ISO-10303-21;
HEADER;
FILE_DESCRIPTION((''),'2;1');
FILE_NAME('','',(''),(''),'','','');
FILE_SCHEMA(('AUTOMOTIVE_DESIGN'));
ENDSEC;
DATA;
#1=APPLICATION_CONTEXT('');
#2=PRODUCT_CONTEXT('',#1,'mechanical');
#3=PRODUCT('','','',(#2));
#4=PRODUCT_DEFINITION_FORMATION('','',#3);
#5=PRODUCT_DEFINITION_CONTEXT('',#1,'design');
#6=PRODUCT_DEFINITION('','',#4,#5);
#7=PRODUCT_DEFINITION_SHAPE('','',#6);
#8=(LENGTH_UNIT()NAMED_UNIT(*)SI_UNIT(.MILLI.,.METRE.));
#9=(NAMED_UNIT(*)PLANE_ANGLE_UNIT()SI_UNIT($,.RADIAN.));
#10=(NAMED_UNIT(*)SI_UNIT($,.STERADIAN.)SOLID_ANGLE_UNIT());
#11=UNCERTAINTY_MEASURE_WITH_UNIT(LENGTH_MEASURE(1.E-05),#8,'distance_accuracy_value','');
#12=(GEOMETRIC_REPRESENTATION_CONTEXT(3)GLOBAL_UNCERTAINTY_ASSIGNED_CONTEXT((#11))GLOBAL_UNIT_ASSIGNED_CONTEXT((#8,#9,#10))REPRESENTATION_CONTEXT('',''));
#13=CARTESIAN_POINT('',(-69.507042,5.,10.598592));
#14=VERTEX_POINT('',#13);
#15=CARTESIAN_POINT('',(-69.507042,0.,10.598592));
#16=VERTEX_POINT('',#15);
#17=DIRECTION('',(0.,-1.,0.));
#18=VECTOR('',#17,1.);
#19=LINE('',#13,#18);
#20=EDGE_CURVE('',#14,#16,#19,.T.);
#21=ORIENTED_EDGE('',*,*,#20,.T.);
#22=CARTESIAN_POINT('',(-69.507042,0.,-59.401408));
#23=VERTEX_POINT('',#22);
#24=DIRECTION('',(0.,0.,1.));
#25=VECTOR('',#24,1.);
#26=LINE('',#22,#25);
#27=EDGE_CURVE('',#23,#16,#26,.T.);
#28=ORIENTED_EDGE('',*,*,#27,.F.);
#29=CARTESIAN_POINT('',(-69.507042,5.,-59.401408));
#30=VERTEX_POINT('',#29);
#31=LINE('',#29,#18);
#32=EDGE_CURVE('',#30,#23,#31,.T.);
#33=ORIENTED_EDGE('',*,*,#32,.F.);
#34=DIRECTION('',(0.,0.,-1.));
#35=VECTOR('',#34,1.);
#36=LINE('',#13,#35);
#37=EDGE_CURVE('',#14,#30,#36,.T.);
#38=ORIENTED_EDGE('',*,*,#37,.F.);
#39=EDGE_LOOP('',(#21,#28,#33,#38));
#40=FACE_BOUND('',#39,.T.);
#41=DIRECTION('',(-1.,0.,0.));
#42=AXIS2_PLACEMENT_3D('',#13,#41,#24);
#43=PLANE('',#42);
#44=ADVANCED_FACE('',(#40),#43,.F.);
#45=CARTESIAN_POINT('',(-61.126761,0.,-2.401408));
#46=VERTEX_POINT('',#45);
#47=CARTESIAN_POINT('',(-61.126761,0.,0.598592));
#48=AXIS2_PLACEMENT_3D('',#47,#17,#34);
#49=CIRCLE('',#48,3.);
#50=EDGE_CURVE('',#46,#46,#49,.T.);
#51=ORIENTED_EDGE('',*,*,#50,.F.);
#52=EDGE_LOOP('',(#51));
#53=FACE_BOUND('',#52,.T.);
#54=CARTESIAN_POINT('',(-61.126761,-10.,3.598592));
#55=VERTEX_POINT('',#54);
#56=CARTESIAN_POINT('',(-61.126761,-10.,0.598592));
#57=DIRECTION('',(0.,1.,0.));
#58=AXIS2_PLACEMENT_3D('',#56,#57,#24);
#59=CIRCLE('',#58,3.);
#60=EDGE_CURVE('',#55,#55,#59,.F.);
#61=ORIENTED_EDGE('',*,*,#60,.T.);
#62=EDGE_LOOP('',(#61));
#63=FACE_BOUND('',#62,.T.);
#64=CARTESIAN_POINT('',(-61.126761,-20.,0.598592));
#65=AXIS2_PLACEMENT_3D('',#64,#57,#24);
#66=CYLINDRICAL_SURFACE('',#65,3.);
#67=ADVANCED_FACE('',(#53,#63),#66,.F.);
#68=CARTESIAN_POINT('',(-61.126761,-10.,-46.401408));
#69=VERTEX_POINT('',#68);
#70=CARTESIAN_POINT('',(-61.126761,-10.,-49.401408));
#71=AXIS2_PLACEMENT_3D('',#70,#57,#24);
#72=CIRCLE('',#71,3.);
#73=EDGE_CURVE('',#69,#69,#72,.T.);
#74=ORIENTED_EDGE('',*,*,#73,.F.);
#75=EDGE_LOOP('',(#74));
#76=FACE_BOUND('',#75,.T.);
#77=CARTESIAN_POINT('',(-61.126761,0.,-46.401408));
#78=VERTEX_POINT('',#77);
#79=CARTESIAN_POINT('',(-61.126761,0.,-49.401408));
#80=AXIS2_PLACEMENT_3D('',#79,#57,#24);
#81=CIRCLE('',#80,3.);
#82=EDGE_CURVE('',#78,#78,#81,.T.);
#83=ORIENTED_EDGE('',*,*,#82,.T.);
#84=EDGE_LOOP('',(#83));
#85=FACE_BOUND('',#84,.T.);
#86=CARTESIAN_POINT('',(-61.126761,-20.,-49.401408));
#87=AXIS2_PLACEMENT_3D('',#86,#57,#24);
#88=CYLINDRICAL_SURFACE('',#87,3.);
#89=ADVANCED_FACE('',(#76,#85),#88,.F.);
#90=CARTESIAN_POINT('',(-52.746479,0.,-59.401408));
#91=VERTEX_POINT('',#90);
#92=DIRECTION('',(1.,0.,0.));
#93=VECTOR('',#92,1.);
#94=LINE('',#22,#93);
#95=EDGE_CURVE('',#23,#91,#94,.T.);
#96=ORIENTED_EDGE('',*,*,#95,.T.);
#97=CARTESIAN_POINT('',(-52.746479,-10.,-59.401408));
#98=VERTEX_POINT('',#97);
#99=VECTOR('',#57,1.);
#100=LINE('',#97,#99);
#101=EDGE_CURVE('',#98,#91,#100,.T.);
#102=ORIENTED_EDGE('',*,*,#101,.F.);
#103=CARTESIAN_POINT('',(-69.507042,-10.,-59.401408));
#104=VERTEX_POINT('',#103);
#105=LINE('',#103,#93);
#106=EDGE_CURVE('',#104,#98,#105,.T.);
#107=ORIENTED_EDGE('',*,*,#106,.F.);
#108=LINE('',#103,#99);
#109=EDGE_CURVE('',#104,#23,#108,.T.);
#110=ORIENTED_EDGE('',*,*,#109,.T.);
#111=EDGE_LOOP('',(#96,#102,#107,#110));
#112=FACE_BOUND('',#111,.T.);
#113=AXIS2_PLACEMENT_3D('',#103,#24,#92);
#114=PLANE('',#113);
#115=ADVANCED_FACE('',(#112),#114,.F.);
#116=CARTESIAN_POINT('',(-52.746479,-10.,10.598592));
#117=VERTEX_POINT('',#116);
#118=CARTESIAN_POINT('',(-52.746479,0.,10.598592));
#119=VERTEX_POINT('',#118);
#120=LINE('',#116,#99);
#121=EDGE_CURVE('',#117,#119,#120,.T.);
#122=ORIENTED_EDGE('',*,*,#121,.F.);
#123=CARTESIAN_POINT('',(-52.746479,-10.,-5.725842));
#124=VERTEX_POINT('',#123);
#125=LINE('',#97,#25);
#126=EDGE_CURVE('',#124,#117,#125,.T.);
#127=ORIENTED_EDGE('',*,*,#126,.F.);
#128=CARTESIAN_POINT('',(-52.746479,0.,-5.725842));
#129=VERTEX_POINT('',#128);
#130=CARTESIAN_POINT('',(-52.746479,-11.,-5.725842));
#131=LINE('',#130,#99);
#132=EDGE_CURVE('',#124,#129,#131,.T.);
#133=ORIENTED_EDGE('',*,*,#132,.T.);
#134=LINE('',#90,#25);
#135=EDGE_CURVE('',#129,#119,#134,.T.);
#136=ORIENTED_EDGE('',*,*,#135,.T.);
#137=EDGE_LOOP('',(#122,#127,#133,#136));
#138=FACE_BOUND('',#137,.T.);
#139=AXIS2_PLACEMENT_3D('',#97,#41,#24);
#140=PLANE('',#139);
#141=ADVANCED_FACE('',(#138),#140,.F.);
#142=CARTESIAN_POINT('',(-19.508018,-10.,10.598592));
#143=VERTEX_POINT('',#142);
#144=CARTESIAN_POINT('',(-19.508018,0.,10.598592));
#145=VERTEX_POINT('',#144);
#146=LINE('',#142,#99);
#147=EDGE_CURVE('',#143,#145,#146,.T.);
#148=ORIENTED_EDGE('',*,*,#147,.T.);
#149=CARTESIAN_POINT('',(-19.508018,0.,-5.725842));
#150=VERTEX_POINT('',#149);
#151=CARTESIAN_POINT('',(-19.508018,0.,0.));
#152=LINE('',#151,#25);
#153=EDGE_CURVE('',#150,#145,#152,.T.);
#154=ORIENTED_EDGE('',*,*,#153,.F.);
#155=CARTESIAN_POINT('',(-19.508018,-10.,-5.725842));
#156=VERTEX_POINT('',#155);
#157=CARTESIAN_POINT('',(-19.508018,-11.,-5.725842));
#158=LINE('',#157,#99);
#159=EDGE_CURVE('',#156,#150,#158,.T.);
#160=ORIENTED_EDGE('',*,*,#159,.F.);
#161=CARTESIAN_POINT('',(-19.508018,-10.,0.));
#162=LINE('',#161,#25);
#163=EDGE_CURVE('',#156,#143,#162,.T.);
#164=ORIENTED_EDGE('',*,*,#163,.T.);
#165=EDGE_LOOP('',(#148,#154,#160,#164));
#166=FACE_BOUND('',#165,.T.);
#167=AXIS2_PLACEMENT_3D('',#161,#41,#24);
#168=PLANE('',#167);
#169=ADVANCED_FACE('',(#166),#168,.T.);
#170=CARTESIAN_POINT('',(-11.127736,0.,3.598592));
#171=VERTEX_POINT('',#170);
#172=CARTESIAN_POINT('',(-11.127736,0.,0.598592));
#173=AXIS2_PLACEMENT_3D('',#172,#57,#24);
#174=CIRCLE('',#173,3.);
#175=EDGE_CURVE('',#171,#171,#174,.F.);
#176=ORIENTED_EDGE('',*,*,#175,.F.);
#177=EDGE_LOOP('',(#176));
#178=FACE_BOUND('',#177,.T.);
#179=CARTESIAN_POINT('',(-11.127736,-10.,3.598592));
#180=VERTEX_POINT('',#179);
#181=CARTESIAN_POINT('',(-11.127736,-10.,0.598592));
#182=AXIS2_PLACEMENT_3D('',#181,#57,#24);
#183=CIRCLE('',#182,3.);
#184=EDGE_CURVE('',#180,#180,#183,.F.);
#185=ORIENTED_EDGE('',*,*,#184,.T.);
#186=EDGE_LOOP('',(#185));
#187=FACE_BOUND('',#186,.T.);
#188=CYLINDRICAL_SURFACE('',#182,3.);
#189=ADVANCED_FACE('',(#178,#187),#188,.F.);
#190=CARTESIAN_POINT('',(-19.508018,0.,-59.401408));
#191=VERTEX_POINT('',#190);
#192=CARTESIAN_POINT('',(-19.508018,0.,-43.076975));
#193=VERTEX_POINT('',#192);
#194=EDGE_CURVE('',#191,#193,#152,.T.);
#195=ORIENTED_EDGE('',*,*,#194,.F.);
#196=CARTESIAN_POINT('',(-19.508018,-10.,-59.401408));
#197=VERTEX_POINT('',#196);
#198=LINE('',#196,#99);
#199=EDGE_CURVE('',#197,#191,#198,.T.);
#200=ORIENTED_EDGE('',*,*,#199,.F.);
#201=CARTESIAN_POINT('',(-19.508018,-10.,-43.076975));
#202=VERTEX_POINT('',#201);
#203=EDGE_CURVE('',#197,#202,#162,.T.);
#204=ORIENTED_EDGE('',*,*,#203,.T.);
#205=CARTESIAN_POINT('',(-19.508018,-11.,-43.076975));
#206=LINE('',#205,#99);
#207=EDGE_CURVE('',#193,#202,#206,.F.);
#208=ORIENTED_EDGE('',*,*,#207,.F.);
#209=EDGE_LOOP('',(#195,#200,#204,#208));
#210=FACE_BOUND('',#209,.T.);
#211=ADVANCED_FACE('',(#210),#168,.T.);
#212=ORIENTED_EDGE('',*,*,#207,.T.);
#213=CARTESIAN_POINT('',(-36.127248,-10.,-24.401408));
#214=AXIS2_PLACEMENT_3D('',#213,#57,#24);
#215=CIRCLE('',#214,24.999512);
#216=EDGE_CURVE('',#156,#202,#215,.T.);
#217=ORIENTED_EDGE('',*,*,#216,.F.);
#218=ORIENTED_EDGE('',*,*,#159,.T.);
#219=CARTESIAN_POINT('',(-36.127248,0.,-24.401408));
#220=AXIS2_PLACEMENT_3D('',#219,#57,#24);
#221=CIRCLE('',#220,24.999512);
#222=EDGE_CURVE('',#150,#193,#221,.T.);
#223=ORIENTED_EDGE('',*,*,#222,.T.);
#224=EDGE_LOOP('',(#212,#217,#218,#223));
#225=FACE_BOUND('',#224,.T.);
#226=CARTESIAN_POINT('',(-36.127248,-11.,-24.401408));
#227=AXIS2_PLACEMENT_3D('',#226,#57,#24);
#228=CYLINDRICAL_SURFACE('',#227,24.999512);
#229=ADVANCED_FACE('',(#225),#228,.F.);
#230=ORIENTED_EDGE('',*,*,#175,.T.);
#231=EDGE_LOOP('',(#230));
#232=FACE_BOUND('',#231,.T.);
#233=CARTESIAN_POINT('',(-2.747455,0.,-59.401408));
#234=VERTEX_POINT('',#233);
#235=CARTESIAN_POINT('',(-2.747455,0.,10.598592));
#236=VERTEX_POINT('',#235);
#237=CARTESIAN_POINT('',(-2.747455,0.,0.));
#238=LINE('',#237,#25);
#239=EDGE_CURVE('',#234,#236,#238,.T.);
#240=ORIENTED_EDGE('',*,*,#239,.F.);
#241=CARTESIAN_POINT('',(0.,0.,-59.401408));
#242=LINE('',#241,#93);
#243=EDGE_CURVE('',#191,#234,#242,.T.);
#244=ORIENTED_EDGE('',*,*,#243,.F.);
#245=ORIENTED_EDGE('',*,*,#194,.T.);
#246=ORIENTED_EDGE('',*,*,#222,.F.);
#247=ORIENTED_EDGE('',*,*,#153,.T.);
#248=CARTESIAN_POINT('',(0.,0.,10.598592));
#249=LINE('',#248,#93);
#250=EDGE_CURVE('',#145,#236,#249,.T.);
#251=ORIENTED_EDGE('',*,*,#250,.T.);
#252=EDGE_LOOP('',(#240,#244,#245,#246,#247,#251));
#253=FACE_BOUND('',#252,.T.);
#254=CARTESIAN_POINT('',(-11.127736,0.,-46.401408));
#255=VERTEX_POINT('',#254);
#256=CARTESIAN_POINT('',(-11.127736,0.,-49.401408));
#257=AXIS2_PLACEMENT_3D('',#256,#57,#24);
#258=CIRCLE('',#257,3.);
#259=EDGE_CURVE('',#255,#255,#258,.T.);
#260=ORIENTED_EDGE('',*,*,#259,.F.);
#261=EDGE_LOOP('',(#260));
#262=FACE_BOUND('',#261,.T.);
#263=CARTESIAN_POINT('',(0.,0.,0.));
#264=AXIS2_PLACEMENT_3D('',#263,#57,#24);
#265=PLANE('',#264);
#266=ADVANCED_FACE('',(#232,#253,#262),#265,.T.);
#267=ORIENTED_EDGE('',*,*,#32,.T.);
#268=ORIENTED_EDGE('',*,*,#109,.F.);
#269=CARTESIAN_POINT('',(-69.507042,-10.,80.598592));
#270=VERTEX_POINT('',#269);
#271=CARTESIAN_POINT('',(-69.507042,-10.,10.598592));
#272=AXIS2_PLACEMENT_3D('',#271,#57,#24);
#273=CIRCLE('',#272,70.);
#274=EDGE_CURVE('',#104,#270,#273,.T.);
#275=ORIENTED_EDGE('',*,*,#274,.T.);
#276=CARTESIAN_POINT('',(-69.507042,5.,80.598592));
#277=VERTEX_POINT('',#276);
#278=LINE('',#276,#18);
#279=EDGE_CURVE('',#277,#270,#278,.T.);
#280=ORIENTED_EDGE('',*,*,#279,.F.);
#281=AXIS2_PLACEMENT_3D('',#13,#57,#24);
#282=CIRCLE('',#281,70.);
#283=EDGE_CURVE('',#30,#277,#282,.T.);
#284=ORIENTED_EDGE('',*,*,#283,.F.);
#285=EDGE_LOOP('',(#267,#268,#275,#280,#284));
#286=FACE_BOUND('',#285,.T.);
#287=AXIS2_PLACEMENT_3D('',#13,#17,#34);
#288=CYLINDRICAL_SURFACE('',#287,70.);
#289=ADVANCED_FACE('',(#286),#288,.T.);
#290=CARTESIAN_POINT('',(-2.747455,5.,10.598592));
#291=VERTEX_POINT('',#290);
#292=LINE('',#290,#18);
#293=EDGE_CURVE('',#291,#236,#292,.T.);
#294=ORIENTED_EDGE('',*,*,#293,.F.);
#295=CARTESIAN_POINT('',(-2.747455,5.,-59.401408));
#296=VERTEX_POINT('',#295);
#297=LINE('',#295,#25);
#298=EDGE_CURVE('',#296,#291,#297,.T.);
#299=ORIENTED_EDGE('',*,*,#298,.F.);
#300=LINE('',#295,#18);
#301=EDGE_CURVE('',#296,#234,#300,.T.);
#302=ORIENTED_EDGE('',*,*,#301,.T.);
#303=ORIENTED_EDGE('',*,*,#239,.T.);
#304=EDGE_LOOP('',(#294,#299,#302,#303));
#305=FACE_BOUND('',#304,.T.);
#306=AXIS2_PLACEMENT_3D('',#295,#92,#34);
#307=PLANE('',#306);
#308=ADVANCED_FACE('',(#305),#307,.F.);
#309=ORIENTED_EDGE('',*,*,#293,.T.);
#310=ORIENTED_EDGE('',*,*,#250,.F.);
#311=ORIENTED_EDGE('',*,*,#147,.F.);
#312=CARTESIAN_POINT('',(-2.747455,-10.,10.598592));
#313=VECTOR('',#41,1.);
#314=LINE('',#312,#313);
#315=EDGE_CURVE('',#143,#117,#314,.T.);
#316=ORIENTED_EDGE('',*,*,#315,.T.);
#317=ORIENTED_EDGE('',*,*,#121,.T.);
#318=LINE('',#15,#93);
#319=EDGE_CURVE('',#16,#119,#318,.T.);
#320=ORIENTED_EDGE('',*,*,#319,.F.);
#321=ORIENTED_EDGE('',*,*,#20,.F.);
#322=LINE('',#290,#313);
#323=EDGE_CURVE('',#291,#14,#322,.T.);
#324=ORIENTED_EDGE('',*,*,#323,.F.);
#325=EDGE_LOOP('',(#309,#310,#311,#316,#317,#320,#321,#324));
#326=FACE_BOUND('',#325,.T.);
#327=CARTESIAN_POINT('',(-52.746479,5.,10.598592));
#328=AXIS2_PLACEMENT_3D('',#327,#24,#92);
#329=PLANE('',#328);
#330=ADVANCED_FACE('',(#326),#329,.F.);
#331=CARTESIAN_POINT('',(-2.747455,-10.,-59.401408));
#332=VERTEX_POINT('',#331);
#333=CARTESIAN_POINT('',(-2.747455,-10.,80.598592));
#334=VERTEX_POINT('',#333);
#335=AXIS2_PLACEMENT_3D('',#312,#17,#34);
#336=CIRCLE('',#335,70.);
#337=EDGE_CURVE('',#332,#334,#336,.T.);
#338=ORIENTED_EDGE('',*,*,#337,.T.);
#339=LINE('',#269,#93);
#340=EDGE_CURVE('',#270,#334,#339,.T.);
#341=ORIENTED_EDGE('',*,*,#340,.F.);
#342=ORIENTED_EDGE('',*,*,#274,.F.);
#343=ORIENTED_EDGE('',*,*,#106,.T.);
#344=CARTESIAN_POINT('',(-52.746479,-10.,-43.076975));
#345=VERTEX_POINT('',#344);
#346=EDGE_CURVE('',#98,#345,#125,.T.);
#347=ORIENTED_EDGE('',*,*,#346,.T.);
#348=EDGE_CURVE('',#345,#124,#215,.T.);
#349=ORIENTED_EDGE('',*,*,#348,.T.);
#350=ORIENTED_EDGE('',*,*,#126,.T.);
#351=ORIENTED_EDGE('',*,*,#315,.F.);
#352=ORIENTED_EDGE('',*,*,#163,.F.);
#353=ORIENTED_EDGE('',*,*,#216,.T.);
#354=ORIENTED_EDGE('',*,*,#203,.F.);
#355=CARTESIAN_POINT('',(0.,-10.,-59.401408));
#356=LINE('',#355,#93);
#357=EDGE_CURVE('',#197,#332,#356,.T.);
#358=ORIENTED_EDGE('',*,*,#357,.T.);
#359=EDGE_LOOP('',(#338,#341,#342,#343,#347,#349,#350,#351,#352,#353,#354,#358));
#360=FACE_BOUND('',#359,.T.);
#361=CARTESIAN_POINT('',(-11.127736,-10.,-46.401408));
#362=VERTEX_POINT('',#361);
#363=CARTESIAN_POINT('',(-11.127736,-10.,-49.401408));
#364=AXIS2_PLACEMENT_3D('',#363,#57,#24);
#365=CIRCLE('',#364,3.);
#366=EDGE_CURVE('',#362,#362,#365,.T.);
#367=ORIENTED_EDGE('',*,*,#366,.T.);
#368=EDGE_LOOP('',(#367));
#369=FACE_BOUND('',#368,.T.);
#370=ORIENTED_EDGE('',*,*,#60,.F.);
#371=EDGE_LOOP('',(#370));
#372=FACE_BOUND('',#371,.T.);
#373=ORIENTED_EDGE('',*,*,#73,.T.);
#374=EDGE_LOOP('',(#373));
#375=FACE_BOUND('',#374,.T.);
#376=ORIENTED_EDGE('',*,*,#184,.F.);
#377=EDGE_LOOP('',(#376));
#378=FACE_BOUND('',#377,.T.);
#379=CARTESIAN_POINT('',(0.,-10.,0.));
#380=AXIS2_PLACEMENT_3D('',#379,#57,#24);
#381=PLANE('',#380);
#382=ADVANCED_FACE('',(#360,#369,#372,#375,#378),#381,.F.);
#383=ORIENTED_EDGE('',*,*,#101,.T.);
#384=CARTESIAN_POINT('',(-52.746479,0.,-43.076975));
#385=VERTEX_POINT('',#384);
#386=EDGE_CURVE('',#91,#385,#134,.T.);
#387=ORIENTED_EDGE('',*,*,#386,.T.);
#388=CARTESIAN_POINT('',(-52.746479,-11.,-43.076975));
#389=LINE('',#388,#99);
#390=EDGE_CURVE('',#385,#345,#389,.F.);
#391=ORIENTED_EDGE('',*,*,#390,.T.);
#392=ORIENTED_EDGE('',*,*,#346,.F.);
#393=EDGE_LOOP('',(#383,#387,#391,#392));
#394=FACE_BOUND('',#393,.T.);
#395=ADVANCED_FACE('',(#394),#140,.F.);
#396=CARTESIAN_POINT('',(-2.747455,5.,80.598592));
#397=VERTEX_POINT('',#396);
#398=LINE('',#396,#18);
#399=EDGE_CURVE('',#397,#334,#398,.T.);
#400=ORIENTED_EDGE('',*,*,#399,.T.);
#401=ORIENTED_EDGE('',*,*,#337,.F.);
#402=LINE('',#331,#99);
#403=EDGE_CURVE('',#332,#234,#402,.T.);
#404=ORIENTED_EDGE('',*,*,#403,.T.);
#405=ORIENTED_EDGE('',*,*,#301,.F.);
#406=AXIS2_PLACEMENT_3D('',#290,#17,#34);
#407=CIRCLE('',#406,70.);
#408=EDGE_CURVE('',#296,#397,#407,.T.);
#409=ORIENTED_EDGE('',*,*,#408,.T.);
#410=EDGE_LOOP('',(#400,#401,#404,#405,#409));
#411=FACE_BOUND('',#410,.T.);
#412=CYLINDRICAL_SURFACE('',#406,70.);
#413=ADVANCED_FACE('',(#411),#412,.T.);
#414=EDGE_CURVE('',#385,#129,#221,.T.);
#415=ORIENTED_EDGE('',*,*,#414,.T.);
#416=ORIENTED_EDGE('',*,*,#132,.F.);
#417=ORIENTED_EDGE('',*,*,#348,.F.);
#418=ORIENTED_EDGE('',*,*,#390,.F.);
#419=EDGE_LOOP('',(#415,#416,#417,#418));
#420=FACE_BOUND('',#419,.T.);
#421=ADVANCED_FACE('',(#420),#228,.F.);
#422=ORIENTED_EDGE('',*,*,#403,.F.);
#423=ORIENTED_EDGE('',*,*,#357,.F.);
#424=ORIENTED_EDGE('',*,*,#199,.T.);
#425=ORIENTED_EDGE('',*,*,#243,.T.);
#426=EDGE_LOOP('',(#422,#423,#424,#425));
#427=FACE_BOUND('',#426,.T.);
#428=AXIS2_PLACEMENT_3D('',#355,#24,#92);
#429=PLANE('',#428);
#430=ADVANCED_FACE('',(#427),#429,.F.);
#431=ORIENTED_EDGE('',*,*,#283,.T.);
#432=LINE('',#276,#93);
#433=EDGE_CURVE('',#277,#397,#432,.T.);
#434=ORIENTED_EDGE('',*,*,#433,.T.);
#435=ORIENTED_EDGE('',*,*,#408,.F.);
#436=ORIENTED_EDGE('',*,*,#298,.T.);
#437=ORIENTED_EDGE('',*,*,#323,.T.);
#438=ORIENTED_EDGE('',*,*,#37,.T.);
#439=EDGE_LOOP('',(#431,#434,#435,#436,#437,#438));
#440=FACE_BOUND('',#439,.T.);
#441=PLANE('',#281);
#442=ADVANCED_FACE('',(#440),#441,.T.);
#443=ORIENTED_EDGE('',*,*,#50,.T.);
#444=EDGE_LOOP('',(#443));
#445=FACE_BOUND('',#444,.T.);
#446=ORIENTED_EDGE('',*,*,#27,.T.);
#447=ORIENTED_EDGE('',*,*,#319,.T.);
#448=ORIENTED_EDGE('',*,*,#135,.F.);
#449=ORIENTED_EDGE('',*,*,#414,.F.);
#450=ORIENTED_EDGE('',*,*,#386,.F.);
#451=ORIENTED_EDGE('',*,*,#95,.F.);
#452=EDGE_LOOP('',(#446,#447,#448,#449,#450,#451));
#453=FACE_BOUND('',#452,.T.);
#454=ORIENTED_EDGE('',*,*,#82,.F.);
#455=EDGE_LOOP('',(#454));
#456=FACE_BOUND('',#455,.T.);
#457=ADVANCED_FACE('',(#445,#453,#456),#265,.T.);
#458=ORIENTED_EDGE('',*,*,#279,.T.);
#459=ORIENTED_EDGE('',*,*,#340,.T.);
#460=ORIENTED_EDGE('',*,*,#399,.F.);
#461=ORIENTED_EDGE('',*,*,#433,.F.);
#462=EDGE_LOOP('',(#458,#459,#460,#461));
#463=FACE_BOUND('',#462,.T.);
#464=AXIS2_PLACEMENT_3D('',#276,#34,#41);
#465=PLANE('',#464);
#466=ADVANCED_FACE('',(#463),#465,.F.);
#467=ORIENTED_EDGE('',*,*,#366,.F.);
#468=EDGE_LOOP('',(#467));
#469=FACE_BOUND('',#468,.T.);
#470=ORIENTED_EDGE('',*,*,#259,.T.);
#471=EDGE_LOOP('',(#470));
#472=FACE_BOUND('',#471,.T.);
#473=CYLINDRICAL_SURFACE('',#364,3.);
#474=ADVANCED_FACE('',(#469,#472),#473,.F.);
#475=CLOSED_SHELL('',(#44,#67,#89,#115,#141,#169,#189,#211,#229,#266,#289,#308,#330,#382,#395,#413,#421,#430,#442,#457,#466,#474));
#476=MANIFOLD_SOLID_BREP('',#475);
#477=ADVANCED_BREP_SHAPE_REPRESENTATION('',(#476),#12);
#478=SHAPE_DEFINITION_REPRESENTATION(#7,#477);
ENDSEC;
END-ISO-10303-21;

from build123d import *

# Parameters (mm, degrees)
SKETCH1_W                = 16.760563381
SKETCH1_H                = 70
BOSS_EXTRUDE1_DEPTH      = 10
SKETCH1_3_R              = 3
CUT_EXTRUDE1_DEPTH       = 20
SKETCH3_W                = 16.760563381
SKETCH3_H                = 70
SKETCH3_R                = 3
BOSS_EXTRUDE2_DEPTH      = 10
SKETCH9_R                = 24.999512183
CUT_EXTRUDE4_DEPTH       = 11
BOSS_EXTRUDE4_DEPTH      = 5
BOSS_EXTRUDE4_DEPTH_BACK = 10


with BuildPart() as part:
    # Sketch1 → Boss-Extrude1 (new body)
    with BuildSketch(Plane(origin=(0, 0, 0), x_dir=(1, 0, 0), z_dir=(0, 1, 0))):
        with Locations((-61.126760563, 24.401408451)):
            Rectangle(SKETCH1_W, SKETCH1_H)
    extrude(amount=-BOSS_EXTRUDE1_DEPTH)

    # Sketch1<3> → Cut-Extrude1 (cut)
    with BuildSketch(Plane(origin=(0, 0, 0), x_dir=(1, 0, 0), z_dir=(0, 1, 0))):
        with Locations((-61.126760563, 49.401408451)):
            Circle(SKETCH1_3_R)
        with Locations((-61.126760563, -0.598591549)):
            Circle(SKETCH1_3_R)
    extrude(amount=-CUT_EXTRUDE1_DEPTH, mode=Mode.SUBTRACT)


with BuildPart() as body_2:
    # Sketch3 → Boss-Extrude2 (new body)
    with BuildSketch(Plane(origin=(-10.44184171, 0, 0), x_dir=(1, 0, 0), z_dir=(0, 1, 0))):
        with Locations((-0.685894488, 24.401408451)):
            Rectangle(SKETCH3_W, SKETCH3_H)
        with Locations((-0.685894488, 49.401408451)):
            Circle(SKETCH3_R, mode=Mode.SUBTRACT)
        with Locations((-0.685894488, -0.598591549)):
            Circle(SKETCH3_R, mode=Mode.SUBTRACT)
    extrude(amount=-BOSS_EXTRUDE2_DEPTH)


with BuildPart() as cut_extrude4_tool:
    # Sketch9 → Cut-Extrude4 (new body)
    with BuildSketch(Plane(origin=(0, 0, 0), x_dir=(1, 0, 0), z_dir=(0, 1, 0))):
        with Locations((-36.12724838, 24.401408451)):
            Circle(SKETCH9_R)
    extrude(amount=-CUT_EXTRUDE4_DEPTH)


with BuildPart() as part_1:
    add(part.part)

    # Cut-Extrude4: cut by cut_extrude4_tool
    add(cut_extrude4_tool.part, mode=Mode.SUBTRACT)



with BuildPart() as body_2_1:
    add(body_2.part)

    # Cut-Extrude4: cut by cut_extrude4_tool
    add(cut_extrude4_tool.part, mode=Mode.SUBTRACT)


with BuildPart() as part_2:
    add(part_1.part)

    add(body_2_1.part)  # Boss-Extrude4 merges body 2
    # Sketch8 → Boss-Extrude4 (add, two sides: drawn at the far end of the back side and taken through both)
    with BuildSketch(Plane(origin=(0, 0, 0), x_dir=(1, 0, 0), z_dir=(0, 1, 0)).offset(-BOSS_EXTRUDE4_DEPTH_BACK)):
        with BuildLine():
            Line((-2.747454507, 59.401408451), (-2.747454507, -10.598591549))
            Line((-2.747454507, -10.598591549), (-19.508017888, -10.598591549))
            Line((-19.508017888, -10.598591549), (-52.746478873, -10.598591549))
            Line((-52.746478873, -10.598591549), (-69.507042254, -10.598591549))
            Line((-69.507042254, -10.598591549), (-69.507042254, 59.401408451))
            ThreePointArc((-69.507042254, 59.401408451), (-139.507042254, -10.598591549), (-69.507042254, -80.598591549))
            Line((-69.507042254, -80.598591549), (-2.747454507, -80.598591549))
            ThreePointArc((-2.747454507, -80.598591549), (67.252545493, -10.598591549), (-2.747454507, 59.401408451))
        make_face()
    extrude(amount=BOSS_EXTRUDE4_DEPTH + BOSS_EXTRUDE4_DEPTH_BACK)


solid = part_2.part
